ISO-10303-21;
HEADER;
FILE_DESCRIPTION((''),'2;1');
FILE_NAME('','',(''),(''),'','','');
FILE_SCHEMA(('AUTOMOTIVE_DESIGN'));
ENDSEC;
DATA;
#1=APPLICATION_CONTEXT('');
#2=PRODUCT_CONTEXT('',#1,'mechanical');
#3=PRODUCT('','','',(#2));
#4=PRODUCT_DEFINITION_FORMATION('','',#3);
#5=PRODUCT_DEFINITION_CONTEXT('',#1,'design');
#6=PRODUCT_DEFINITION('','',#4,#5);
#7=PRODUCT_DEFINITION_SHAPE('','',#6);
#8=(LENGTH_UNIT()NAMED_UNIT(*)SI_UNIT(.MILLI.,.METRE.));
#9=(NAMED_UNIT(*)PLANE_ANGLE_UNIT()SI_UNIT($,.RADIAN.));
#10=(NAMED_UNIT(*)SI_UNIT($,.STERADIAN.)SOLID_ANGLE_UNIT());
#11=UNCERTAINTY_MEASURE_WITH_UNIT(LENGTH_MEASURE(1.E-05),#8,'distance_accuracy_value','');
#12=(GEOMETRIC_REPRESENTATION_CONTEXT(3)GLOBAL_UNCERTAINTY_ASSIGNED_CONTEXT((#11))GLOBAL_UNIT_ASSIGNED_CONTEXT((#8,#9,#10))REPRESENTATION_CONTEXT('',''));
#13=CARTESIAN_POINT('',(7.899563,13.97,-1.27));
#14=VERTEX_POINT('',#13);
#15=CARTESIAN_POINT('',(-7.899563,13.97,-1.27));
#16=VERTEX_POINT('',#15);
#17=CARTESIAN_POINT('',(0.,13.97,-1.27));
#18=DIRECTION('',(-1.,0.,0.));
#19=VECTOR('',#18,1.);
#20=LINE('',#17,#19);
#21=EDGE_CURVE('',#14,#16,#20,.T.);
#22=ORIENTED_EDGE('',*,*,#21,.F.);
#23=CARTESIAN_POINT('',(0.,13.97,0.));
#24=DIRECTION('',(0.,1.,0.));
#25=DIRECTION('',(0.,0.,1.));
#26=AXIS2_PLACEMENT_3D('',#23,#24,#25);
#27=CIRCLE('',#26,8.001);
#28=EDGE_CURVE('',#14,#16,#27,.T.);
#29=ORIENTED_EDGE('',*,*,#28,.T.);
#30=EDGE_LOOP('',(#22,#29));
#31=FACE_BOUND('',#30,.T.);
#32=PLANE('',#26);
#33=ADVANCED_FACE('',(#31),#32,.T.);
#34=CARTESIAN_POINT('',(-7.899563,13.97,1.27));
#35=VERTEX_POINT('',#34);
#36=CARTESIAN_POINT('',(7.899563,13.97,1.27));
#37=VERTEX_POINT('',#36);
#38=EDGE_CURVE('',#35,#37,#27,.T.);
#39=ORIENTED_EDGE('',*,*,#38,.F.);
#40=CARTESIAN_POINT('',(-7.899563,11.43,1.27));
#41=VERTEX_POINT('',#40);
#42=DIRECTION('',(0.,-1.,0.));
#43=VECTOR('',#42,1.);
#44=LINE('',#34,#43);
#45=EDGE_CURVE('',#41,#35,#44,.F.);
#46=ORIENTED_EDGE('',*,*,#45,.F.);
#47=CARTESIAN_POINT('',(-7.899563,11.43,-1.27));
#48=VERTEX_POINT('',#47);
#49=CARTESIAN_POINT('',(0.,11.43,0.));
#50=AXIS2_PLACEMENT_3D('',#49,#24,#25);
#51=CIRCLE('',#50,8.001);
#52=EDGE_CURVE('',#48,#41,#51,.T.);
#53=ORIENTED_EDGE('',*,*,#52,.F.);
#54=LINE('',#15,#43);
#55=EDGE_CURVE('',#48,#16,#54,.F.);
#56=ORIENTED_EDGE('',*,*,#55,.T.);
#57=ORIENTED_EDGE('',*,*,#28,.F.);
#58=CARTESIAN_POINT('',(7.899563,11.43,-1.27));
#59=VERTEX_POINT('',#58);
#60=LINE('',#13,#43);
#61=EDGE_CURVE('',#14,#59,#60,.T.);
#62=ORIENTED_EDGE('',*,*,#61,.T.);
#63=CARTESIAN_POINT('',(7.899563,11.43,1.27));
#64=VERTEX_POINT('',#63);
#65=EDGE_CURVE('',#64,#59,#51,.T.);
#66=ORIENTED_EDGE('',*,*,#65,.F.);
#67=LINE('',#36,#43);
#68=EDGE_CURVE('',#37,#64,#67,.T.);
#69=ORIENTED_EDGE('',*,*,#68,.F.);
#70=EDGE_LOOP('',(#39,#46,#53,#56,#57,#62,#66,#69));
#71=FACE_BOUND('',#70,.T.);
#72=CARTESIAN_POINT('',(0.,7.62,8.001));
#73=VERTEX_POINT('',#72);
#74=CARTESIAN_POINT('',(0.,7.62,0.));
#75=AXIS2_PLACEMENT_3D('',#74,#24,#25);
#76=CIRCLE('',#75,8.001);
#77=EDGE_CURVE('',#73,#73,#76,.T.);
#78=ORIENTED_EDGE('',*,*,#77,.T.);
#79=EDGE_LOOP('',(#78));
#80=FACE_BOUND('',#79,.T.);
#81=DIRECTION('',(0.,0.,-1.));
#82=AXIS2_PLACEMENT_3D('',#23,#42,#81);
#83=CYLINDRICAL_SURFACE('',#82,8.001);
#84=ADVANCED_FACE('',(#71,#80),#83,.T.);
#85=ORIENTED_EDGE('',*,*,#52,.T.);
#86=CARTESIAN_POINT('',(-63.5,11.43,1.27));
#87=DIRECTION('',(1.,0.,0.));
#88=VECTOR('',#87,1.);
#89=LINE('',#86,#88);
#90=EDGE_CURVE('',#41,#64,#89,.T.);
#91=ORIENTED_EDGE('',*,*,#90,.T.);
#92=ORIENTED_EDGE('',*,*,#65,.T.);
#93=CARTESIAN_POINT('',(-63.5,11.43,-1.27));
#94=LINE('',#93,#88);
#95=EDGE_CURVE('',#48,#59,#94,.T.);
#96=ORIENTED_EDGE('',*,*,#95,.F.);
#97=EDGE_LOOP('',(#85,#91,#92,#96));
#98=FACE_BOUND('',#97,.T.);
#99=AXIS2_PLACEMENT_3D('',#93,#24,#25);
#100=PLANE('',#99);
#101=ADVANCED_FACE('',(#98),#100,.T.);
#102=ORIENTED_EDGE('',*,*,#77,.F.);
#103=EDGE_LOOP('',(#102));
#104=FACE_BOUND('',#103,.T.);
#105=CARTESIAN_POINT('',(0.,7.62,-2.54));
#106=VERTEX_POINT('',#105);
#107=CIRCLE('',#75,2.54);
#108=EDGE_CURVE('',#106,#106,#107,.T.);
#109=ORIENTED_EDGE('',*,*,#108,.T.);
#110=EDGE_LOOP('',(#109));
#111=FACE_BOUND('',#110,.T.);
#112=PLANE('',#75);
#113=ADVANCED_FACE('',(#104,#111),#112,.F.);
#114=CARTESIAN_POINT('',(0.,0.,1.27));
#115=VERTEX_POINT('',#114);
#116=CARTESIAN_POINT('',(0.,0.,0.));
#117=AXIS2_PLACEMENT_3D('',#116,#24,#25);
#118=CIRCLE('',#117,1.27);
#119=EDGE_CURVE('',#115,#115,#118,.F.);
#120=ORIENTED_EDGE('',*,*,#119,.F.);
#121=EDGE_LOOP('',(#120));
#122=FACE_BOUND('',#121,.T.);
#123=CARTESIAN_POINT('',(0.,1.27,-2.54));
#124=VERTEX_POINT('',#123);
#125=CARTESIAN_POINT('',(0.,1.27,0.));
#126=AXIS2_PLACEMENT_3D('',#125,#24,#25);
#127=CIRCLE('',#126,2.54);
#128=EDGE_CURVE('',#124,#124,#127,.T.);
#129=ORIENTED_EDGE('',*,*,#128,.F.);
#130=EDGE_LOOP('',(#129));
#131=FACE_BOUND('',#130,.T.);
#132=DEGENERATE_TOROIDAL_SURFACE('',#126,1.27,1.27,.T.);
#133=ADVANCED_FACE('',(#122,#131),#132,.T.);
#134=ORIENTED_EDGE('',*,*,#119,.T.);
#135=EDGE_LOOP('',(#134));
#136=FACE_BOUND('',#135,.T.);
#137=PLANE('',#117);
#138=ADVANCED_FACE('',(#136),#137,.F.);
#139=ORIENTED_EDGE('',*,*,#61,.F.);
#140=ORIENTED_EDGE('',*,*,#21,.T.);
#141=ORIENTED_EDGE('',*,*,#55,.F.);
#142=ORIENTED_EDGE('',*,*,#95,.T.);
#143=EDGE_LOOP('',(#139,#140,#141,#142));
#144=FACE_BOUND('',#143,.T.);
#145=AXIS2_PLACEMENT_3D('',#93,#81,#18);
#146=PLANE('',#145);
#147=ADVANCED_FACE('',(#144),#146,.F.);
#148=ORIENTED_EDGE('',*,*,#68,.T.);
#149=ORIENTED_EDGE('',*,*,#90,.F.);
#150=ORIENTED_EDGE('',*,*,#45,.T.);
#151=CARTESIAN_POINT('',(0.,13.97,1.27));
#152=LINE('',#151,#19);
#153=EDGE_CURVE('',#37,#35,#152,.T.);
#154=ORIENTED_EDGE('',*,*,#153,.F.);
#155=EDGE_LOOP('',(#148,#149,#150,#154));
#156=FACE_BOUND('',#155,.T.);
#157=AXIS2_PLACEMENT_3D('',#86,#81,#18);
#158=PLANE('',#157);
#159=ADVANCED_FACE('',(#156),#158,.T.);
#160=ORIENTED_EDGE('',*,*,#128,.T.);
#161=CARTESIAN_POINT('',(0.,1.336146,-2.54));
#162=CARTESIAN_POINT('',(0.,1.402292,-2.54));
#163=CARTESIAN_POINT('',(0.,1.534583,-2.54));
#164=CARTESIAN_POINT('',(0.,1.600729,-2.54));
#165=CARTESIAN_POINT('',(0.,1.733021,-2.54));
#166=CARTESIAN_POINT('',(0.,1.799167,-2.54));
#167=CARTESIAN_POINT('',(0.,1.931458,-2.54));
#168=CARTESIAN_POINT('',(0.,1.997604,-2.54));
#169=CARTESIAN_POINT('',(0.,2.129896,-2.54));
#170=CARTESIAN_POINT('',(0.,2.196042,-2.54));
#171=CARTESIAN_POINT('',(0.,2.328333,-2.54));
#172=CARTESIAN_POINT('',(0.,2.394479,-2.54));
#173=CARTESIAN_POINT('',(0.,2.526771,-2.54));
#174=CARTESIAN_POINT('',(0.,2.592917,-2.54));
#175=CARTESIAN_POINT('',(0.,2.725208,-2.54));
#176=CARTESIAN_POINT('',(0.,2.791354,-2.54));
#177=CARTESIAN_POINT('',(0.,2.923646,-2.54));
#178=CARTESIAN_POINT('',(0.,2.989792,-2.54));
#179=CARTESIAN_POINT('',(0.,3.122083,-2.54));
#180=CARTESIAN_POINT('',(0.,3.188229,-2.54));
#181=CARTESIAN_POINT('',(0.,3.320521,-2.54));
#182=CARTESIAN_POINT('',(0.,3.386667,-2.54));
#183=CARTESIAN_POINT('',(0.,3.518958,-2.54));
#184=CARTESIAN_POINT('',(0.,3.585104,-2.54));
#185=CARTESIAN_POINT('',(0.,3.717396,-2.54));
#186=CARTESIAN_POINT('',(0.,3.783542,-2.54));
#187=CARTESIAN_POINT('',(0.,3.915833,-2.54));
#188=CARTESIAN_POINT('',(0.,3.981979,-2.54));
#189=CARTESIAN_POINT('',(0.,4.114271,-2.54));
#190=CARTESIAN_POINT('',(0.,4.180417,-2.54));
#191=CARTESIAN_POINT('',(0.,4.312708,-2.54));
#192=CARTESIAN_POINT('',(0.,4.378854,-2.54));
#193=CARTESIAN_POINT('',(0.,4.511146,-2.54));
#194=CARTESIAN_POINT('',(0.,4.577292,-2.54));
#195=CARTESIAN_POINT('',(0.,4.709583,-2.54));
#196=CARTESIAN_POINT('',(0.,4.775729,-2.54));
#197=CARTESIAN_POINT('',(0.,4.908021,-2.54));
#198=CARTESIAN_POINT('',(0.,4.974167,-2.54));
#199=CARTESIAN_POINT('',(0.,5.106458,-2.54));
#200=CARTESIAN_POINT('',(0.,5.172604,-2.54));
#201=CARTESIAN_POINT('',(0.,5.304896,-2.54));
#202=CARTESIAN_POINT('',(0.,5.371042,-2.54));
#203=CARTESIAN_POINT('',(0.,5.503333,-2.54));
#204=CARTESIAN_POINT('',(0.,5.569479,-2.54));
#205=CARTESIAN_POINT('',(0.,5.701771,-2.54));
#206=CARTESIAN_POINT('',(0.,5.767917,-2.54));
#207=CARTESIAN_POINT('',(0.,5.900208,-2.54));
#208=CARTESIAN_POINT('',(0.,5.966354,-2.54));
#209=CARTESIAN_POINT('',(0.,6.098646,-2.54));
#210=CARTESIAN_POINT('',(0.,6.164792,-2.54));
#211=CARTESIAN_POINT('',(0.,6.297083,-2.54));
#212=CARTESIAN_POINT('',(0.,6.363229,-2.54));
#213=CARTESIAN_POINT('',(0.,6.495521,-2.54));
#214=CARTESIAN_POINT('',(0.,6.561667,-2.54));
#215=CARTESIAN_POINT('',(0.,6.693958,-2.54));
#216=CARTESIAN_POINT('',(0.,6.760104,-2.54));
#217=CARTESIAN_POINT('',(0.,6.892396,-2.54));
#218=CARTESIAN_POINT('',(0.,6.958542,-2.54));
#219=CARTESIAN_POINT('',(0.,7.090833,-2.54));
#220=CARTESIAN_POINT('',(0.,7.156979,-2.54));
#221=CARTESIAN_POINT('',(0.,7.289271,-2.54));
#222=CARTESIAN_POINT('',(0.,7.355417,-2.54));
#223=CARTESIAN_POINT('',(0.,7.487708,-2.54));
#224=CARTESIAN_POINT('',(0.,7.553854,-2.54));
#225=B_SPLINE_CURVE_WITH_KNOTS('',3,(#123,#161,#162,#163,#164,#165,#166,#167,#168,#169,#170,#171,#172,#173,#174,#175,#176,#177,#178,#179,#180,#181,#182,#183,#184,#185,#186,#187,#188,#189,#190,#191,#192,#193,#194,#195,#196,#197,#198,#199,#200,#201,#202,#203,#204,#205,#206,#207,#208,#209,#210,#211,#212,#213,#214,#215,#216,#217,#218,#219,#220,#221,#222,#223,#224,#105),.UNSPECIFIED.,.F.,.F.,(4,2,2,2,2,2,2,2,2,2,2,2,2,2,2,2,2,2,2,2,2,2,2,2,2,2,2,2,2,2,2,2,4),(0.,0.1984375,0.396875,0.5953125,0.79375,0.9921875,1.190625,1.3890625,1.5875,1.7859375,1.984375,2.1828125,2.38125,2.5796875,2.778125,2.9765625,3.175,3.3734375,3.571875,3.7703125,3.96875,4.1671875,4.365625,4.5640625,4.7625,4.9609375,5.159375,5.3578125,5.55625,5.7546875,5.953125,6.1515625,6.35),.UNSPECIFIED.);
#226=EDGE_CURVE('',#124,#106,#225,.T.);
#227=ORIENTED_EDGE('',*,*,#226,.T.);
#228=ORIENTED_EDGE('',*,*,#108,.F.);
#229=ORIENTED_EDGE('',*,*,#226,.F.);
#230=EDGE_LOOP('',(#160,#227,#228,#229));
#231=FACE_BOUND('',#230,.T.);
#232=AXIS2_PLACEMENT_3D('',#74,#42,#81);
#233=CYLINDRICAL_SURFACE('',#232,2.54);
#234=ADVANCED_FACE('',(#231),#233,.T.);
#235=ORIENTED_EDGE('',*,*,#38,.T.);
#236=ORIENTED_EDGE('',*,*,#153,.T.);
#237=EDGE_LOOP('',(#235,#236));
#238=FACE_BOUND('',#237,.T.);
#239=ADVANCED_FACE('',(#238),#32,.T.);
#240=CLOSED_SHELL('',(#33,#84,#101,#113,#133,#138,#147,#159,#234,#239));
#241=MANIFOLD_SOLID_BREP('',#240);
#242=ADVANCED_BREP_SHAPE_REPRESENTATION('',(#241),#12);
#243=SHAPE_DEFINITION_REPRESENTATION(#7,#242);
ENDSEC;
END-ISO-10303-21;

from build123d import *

# Parameters (mm, degrees)
SKETCH1_R           = 2.54
BOSS_EXTRUDE1_DEPTH = 7.62
SKETCH2_R           = 8.001
BOSS_EXTRUDE2_DEPTH = 6.35
FILLET1_R           = 1.27
SKETCH3_W           = 2.54
SKETCH3_H           = 2.54
CUT_EXTRUDE1_DEPTH  = 63.5


with BuildPart() as part:
    # Sketch1 → Boss-Extrude1 (new body)
    with BuildSketch(Plane(origin=(0, 0, 0), x_dir=(1, 0, 0), z_dir=(0, 1, 0))):
        with Locations(Location((0, 0, 0), (0, 0, 90))):
            Circle(SKETCH1_R)
    extrude(amount=BOSS_EXTRUDE1_DEPTH)

    # Sketch2 → Boss-Extrude2 (add)
    with BuildSketch(Plane(origin=(0, 7.62, 0), x_dir=(1, 0, 0), z_dir=(0, 1, 0))):
        with Locations(Location((0, 0, 0), (0, 0, 270))):
            Circle(SKETCH2_R)
    extrude(amount=BOSS_EXTRUDE2_DEPTH)

    # Fillet1
    fillet1_edges = [part.edges().sort_by_distance(p)[0] for p in [
        (0, 0, 2.54),
    ]]
    fillet(fillet1_edges, radius=FILLET1_R)

    # Sketch3 → Cut-Extrude1 (cut, symmetric)
    with BuildSketch(Plane(origin=(0, 0, 0), x_dir=(0, 0, -1), z_dir=(1, 0, 0))):
        with Locations((0, 12.7)):
            Rectangle(SKETCH3_W, SKETCH3_H)
    extrude(amount=CUT_EXTRUDE1_DEPTH, both=True, mode=Mode.SUBTRACT)


solid = part.part
